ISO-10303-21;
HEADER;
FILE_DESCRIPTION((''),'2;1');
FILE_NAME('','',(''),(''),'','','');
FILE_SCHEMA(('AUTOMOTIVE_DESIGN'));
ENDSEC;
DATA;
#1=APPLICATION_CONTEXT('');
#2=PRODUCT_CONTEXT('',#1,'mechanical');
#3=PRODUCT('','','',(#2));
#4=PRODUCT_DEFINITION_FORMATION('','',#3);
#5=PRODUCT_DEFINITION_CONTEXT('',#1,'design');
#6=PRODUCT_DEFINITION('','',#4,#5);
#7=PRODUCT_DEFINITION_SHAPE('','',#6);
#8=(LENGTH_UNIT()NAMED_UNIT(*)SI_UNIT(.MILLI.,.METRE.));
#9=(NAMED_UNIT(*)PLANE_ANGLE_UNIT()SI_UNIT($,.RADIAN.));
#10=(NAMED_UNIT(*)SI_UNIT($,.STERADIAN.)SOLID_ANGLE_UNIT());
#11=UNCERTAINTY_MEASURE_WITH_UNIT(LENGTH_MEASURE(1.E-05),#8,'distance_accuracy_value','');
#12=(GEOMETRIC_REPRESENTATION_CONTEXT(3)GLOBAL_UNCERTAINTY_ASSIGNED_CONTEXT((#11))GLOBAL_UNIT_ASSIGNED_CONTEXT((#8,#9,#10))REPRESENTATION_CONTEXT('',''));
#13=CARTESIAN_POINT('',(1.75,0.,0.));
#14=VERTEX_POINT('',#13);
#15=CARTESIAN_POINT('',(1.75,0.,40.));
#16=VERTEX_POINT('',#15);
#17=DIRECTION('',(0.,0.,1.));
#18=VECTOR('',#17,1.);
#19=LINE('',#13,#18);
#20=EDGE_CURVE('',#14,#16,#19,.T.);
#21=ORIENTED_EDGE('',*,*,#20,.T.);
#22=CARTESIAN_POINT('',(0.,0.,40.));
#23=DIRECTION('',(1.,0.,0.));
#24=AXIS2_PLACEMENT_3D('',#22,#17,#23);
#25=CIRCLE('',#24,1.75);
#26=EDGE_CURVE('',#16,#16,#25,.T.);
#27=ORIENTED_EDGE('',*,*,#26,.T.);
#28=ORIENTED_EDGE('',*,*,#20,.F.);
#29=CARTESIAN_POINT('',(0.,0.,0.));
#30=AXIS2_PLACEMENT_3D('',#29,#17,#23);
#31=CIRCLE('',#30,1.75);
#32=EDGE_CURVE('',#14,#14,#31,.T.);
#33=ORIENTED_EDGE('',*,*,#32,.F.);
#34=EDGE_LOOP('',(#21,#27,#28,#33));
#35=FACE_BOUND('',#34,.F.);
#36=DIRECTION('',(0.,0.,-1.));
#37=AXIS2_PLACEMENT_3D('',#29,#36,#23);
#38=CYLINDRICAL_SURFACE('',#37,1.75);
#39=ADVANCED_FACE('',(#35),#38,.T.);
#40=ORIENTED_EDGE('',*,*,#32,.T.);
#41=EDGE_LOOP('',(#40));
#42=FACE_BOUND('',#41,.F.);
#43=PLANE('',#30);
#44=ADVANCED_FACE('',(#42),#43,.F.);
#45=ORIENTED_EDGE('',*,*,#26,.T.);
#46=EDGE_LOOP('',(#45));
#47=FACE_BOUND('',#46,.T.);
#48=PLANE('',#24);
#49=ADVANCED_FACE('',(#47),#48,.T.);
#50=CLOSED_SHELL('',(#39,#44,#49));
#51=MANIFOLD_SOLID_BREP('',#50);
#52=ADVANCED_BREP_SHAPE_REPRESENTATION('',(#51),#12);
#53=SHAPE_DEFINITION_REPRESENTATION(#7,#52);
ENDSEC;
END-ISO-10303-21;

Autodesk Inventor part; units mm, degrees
ref_plane "YZ Plane" through (0, 0, 0) normal (1, 0, 0) x (0, 1, 0)
ref_plane "XZ Plane" through (0, 0, 0) normal (0, 1, 0) x (-1, 0, 0)
ref_plane "XY Plane" through (0, 0, 0) normal (0, 0, 1) x (1, 0, 0)
sketch "Sketch1" plane through (0, 0, 0) normal (0, 0, 1) x (1, 0, 0)
  circle A0 centre (0, 0) radius 1.75
  dimension "d0" = 3.5
extrude "Extrusion1" add sketch "Sketch1" along normal blind 40
properties part number "Cylindrical Pin Actuator Piece"
